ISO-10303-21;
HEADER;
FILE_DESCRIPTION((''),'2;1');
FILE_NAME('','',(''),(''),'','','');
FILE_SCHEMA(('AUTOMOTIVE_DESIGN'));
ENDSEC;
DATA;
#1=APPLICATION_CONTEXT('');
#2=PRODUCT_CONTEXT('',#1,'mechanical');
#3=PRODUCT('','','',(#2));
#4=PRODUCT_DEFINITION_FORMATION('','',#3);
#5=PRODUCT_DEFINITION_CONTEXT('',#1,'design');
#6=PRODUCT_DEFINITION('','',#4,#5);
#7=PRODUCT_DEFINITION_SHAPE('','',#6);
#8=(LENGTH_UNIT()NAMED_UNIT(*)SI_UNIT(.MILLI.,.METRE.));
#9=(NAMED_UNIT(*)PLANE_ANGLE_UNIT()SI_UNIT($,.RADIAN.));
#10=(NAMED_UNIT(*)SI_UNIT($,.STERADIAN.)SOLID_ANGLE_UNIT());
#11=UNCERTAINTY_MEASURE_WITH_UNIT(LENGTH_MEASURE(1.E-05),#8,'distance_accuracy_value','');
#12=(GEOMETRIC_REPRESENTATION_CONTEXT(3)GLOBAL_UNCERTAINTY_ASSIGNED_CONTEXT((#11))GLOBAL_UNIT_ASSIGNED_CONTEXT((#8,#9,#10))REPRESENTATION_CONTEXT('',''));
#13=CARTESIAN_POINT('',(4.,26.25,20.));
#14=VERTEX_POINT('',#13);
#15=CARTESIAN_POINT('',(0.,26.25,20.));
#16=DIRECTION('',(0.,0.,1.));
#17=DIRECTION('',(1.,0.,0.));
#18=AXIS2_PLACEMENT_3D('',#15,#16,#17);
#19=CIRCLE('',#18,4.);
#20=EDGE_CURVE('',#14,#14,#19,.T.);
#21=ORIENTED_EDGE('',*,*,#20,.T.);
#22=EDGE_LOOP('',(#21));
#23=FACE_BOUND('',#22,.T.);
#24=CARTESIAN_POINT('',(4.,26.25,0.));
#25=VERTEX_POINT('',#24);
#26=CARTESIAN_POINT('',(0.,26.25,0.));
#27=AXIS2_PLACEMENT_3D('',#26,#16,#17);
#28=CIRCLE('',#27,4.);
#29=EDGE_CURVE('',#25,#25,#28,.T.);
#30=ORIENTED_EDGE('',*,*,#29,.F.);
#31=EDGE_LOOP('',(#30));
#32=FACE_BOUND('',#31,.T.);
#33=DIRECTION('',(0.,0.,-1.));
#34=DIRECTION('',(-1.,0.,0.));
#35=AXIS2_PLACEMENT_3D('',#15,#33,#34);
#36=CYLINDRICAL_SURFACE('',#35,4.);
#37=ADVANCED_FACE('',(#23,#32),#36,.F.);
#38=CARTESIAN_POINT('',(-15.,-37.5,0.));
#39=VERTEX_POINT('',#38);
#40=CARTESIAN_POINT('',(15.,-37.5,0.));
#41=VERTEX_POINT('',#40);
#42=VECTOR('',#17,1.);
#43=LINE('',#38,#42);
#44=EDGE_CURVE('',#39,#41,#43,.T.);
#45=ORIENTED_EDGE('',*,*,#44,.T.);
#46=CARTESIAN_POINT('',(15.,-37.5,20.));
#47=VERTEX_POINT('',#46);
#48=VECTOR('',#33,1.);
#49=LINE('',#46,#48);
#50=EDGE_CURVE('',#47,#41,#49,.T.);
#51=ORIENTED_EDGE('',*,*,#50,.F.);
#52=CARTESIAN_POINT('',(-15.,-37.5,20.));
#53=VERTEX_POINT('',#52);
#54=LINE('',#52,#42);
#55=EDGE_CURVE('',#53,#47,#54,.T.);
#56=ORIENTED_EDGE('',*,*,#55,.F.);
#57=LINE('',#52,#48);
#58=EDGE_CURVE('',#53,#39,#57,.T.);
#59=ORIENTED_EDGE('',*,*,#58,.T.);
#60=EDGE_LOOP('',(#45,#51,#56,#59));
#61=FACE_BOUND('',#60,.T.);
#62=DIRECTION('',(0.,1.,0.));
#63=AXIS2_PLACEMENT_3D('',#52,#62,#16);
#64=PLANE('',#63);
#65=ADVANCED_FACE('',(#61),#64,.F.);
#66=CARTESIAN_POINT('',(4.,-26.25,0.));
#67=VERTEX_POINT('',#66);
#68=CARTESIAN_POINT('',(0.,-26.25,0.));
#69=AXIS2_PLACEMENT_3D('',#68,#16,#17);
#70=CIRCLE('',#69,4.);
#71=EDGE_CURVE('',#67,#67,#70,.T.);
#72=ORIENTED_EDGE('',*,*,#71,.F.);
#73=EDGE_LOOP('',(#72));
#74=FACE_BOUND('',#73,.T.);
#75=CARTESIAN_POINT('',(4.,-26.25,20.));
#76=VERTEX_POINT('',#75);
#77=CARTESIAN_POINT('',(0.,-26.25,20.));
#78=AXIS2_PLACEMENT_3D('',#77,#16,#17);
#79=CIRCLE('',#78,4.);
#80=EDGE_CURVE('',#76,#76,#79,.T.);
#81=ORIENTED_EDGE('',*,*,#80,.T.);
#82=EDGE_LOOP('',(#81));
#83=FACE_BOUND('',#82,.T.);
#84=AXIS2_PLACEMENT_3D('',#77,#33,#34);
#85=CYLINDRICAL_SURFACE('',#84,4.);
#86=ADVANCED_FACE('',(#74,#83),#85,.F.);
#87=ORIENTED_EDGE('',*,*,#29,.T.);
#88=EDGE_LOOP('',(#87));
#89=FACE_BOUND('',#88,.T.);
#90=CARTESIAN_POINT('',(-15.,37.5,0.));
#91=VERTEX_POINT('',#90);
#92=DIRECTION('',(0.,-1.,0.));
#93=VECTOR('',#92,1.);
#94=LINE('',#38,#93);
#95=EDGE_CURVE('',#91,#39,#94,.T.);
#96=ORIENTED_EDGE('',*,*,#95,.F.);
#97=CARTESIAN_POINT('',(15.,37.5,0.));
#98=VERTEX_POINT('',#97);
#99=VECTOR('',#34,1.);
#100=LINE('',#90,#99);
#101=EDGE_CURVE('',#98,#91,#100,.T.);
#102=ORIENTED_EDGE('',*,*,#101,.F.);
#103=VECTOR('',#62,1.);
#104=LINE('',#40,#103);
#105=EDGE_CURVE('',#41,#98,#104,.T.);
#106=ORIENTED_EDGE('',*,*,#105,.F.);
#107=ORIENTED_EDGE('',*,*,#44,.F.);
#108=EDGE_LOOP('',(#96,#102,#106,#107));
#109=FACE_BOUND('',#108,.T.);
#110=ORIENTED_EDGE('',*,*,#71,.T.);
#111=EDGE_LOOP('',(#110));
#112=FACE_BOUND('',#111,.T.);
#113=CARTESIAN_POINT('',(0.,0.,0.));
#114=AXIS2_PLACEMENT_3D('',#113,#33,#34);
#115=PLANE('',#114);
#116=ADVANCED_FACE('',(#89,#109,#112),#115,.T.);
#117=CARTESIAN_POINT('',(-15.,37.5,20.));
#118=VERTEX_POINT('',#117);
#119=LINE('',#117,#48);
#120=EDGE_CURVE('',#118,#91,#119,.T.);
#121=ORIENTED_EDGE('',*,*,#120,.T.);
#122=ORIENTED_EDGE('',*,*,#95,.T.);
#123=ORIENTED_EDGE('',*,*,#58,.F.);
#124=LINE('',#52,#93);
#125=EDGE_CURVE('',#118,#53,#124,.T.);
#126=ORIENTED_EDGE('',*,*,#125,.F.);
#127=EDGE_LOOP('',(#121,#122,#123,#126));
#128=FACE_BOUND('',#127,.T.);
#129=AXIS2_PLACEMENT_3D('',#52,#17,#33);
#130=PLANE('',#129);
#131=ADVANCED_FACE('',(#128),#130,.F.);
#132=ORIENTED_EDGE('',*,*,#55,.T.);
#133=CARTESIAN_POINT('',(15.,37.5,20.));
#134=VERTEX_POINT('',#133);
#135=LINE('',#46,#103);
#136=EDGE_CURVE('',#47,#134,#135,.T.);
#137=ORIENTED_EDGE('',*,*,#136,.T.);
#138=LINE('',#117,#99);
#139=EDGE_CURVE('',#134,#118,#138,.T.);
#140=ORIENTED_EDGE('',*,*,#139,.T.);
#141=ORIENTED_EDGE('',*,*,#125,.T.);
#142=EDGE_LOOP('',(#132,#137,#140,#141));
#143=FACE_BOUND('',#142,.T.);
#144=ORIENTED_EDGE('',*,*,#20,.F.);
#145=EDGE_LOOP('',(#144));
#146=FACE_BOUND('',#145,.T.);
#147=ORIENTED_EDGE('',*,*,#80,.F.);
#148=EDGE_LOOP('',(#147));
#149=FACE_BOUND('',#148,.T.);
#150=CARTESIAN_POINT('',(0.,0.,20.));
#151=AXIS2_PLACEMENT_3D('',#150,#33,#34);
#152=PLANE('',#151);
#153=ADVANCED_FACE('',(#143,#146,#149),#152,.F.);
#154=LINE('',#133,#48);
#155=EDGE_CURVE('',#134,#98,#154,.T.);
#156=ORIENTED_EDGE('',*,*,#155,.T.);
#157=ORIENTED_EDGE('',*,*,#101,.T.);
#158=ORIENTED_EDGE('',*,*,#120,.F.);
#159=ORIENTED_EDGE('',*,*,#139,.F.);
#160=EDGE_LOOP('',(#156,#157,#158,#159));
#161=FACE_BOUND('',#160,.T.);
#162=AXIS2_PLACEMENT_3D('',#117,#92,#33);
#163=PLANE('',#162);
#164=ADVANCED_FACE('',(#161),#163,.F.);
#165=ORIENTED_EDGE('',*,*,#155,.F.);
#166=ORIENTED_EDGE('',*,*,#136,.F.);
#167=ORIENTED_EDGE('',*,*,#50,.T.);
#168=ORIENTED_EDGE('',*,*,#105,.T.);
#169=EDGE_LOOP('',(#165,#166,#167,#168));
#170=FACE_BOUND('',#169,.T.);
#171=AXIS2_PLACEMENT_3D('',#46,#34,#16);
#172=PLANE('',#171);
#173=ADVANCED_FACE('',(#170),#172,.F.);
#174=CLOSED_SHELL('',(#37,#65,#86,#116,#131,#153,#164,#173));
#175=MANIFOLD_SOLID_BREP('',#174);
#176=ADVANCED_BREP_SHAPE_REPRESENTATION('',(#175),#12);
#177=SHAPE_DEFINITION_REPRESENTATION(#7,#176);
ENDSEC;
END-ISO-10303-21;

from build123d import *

# Parameters (mm, degrees)
SKETCH_1_W      = 30
SKETCH_1_H      = 75
SKETCH_1_R      = 4
EXTRUDE_1_DEPTH = 20


with BuildPart() as part:
    # 草图1 → 凸台-拉伸1 (new body)
    with BuildSketch(Plane.XY):
        Rectangle(SKETCH_1_W, SKETCH_1_H)
        with Locations((0, 26.25)):
            Circle(SKETCH_1_R, mode=Mode.SUBTRACT)
        with Locations((0, -26.25)):
            Circle(SKETCH_1_R, mode=Mode.SUBTRACT)
    extrude(amount=EXTRUDE_1_DEPTH)


solid = part.part
